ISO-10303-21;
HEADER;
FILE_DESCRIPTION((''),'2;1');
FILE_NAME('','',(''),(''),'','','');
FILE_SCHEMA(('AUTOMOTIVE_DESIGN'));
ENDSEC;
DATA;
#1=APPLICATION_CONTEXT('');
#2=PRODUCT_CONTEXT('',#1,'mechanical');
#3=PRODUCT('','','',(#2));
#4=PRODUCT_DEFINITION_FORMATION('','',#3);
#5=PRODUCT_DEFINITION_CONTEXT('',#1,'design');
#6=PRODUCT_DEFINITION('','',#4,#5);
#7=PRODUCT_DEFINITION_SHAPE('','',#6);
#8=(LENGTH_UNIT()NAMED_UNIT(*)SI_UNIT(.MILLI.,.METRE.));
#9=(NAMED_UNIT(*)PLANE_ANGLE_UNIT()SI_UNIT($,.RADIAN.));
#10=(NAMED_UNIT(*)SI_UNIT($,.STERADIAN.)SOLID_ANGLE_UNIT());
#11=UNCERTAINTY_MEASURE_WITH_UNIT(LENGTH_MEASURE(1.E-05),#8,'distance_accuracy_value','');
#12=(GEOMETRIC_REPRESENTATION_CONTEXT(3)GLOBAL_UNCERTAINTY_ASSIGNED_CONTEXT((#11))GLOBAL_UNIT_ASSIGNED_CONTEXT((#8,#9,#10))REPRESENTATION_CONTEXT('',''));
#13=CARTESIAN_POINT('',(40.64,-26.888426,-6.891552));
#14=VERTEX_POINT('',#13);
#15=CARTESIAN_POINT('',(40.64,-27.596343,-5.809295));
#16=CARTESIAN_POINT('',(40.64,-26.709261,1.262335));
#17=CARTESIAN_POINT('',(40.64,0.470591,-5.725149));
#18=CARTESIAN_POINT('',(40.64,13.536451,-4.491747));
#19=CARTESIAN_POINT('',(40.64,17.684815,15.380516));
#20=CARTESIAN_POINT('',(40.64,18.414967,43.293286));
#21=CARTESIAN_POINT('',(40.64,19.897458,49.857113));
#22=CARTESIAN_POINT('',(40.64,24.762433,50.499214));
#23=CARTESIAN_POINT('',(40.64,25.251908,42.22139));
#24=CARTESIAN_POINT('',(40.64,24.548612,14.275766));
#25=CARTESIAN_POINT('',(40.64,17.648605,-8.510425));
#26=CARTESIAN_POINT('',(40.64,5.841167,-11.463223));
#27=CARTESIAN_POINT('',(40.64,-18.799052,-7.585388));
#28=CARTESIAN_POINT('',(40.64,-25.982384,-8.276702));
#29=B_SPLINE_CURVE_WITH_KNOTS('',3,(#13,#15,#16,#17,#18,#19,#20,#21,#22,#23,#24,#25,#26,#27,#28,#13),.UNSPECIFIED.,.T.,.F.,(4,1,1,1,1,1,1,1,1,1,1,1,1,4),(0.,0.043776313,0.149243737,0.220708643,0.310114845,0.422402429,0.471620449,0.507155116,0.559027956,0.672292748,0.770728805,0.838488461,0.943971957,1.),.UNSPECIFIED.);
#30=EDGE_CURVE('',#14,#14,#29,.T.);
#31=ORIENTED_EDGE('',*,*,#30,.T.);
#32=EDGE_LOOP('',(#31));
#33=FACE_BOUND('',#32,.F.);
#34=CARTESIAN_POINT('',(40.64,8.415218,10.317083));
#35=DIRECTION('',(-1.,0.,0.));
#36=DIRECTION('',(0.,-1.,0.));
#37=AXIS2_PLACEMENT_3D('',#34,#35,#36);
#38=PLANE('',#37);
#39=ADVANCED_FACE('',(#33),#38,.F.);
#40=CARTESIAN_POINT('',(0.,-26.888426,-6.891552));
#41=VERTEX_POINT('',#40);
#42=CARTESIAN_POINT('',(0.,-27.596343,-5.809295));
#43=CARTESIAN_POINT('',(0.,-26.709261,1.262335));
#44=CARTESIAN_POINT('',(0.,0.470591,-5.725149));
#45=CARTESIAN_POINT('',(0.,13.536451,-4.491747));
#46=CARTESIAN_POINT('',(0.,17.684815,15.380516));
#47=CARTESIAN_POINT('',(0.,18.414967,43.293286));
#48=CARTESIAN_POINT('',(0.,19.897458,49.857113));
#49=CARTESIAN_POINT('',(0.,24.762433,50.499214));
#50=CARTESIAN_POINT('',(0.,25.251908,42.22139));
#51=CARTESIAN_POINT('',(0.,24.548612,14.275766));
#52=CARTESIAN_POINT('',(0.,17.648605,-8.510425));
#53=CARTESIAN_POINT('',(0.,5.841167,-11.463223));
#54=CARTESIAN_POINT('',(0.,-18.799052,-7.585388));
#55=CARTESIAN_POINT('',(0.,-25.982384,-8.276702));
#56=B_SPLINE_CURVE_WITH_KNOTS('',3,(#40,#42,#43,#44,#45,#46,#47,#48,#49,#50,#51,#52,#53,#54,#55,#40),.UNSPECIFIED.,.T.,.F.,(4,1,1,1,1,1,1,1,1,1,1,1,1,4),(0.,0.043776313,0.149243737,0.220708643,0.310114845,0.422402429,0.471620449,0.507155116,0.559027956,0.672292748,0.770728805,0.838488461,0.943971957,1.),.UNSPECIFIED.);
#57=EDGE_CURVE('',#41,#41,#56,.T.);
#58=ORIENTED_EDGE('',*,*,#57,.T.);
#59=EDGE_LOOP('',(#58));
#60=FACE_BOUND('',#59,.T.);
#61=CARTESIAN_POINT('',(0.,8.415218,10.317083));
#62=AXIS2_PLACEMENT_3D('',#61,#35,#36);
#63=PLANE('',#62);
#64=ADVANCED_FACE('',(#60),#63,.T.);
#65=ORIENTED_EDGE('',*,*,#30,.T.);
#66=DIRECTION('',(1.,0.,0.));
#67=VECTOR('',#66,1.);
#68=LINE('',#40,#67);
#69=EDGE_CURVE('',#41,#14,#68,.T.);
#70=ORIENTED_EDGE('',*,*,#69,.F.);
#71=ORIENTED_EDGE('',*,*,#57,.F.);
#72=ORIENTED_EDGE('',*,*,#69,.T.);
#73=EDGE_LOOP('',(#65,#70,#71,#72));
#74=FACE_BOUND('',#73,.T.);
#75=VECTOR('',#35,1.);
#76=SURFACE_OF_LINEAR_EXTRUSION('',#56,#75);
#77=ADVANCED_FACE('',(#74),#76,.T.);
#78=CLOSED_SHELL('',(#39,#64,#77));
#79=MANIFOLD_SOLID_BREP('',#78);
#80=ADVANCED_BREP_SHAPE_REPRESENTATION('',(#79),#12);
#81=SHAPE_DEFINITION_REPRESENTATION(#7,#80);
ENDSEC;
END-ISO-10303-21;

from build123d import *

# Parameters (mm, degrees)
F1_DEPTH = 40.64


with BuildPart() as f1:
    # F0 (on Right) → F1 (new body)
    with BuildSketch(Plane.YZ):
        with BuildLine():
            add(Edge.make_bspline(
                [(-26.8884263933, -6.8915518932), (-27.5963428938, -5.8092946314), (-26.7092611946, 1.2623348444), (0.4705908799, -5.7251494901), (13.5364507874, -4.4917468697), (17.6848149113, 15.3805163008), (18.4149666907, 43.2932860079), (19.8974578007, 49.8571130225), (24.762433121, 50.4992139388), (25.2519080247, 42.2213899425), (24.5486120684, 14.2757659641), (17.6486045122, -8.5104246203), (5.8411670234, -11.4632234634), (-18.7990518488, -7.5853880949), (-25.9823844378, -8.2767018156), (-26.8884263933, -6.8915518932)],
                knots=[0, 0, 0, 0, 0.0437763128, 0.1492437372, 0.2207086429, 0.3101148449, 0.4224024289, 0.4716204489, 0.507155116, 0.5590279562, 0.6722927477, 0.7707288045, 0.8384884606, 0.9439719571, 1, 1, 1, 1], degree=3))
        make_face()
    extrude(amount=F1_DEPTH)


solid = f1.part
